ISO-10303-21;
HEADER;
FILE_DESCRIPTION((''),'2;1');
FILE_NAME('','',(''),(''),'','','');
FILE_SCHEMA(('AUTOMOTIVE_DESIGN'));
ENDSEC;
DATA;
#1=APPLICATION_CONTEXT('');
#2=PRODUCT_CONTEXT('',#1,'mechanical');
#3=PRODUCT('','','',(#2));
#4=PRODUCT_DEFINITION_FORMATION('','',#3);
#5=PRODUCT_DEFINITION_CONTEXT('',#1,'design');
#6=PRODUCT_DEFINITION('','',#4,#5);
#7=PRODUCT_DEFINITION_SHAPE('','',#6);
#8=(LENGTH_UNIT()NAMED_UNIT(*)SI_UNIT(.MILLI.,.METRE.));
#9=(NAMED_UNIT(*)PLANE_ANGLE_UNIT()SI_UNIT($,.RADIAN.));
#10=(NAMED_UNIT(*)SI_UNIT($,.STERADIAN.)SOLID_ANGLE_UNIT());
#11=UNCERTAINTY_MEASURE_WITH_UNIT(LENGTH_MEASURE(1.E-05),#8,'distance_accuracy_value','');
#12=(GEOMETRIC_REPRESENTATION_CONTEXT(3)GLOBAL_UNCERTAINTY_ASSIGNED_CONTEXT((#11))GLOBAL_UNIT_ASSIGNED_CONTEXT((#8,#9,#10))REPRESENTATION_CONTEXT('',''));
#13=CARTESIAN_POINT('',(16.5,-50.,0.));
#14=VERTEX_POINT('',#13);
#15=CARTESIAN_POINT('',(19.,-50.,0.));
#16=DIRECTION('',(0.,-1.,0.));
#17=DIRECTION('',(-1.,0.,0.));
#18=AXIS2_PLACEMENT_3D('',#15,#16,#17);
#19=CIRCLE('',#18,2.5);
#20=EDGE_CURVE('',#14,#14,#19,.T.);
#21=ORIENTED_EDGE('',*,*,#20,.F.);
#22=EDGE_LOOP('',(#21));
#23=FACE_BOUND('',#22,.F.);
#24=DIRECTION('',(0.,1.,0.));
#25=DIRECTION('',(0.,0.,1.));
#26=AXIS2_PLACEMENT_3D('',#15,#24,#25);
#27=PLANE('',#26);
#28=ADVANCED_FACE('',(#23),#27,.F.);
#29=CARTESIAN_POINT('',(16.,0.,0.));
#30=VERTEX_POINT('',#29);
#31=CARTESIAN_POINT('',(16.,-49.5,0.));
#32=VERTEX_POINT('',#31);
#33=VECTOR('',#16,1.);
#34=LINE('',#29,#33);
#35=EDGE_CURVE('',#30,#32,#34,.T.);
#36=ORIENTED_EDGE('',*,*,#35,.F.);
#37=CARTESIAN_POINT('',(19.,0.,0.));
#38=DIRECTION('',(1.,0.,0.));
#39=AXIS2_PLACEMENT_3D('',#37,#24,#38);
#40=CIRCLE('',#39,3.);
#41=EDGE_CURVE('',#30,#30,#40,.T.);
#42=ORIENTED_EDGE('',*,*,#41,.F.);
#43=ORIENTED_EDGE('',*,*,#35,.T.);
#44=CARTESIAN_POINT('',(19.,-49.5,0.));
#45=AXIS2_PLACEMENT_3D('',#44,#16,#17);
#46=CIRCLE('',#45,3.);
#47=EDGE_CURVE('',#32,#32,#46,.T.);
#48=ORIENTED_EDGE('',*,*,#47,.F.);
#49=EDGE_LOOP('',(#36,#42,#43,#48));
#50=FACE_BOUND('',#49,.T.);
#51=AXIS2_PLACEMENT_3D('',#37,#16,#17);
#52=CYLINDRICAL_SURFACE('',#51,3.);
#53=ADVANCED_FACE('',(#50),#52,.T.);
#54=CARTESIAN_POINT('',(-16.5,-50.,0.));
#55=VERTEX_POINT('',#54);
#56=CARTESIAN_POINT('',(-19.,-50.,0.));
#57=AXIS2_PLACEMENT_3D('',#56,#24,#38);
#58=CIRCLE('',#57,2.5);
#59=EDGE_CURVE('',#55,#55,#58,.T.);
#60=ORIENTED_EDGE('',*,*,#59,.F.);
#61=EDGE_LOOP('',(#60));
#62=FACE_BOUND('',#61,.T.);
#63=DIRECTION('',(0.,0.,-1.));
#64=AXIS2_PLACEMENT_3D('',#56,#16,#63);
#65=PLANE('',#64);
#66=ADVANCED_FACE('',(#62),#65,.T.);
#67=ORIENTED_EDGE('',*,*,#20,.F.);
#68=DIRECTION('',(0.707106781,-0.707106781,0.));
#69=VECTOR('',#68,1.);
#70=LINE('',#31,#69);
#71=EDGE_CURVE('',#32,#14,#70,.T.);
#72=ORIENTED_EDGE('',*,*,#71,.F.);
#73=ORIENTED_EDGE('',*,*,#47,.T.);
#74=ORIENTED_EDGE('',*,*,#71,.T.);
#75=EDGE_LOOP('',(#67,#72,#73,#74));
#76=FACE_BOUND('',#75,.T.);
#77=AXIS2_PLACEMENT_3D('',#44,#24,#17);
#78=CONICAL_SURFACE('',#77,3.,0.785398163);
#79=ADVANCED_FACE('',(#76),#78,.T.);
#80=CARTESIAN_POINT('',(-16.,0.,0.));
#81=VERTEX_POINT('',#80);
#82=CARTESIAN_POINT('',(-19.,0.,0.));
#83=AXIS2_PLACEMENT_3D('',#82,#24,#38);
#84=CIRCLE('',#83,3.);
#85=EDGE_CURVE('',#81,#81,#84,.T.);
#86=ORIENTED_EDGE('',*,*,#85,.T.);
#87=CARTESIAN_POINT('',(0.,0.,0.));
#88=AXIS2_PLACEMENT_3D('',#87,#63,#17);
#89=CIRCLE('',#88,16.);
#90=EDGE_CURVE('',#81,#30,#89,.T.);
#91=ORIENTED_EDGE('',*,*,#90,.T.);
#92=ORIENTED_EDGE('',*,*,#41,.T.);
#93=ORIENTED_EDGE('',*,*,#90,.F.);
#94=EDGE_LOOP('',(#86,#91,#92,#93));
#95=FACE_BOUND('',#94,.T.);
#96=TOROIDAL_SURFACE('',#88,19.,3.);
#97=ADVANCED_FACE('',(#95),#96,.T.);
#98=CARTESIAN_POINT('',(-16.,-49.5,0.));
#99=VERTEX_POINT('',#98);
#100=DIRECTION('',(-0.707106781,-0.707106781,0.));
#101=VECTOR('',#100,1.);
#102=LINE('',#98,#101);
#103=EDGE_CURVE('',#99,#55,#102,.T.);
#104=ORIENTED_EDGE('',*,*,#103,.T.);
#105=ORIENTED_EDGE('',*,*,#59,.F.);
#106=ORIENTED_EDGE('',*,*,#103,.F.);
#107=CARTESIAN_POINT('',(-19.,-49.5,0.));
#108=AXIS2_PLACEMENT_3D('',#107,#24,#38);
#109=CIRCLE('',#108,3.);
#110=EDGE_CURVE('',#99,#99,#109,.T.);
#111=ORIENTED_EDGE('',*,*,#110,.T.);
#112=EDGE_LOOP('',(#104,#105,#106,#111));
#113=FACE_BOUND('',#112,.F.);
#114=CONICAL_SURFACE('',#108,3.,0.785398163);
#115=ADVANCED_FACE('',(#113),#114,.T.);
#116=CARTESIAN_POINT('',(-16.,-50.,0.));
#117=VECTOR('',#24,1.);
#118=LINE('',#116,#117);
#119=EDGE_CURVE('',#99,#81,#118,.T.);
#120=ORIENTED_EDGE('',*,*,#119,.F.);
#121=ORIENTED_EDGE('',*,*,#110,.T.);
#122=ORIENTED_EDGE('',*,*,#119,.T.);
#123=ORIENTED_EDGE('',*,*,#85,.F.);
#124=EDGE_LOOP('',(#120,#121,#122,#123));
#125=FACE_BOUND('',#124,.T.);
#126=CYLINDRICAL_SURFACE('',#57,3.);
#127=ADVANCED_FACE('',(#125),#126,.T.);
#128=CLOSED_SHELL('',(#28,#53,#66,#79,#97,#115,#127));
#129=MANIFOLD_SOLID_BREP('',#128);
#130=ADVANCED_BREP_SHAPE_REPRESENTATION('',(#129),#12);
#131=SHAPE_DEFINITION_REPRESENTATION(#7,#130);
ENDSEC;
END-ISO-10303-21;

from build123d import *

# Parameters (mm, degrees)
F2_R    = 3
F4_SIZE = 0.5


with BuildPart() as f3:
    # F3: sweep along a path in F0
    with BuildLine(Plane.XY) as f3_path:
        Line((-19, -50), (-19, 0))
        ThreePointArc((-19, 0), (0, 19), (19, 0))
        Line((19, 0), (19, -50))
    # F2 (on plane+point) → F3 (sweep)
    with BuildSketch(Plane.XZ.offset(50)):
        with Locations((-19, 0)):
            Circle(F2_R)
    sweep(path=f3_path.line)

    # F4
    f4_edges = [f3.edges().sort_by_distance(p)[0] for p in [
        (-22, -50, 0),
        (22, -50, 0),
    ]]
    chamfer(f4_edges, length=F4_SIZE)


solid = f3.part
